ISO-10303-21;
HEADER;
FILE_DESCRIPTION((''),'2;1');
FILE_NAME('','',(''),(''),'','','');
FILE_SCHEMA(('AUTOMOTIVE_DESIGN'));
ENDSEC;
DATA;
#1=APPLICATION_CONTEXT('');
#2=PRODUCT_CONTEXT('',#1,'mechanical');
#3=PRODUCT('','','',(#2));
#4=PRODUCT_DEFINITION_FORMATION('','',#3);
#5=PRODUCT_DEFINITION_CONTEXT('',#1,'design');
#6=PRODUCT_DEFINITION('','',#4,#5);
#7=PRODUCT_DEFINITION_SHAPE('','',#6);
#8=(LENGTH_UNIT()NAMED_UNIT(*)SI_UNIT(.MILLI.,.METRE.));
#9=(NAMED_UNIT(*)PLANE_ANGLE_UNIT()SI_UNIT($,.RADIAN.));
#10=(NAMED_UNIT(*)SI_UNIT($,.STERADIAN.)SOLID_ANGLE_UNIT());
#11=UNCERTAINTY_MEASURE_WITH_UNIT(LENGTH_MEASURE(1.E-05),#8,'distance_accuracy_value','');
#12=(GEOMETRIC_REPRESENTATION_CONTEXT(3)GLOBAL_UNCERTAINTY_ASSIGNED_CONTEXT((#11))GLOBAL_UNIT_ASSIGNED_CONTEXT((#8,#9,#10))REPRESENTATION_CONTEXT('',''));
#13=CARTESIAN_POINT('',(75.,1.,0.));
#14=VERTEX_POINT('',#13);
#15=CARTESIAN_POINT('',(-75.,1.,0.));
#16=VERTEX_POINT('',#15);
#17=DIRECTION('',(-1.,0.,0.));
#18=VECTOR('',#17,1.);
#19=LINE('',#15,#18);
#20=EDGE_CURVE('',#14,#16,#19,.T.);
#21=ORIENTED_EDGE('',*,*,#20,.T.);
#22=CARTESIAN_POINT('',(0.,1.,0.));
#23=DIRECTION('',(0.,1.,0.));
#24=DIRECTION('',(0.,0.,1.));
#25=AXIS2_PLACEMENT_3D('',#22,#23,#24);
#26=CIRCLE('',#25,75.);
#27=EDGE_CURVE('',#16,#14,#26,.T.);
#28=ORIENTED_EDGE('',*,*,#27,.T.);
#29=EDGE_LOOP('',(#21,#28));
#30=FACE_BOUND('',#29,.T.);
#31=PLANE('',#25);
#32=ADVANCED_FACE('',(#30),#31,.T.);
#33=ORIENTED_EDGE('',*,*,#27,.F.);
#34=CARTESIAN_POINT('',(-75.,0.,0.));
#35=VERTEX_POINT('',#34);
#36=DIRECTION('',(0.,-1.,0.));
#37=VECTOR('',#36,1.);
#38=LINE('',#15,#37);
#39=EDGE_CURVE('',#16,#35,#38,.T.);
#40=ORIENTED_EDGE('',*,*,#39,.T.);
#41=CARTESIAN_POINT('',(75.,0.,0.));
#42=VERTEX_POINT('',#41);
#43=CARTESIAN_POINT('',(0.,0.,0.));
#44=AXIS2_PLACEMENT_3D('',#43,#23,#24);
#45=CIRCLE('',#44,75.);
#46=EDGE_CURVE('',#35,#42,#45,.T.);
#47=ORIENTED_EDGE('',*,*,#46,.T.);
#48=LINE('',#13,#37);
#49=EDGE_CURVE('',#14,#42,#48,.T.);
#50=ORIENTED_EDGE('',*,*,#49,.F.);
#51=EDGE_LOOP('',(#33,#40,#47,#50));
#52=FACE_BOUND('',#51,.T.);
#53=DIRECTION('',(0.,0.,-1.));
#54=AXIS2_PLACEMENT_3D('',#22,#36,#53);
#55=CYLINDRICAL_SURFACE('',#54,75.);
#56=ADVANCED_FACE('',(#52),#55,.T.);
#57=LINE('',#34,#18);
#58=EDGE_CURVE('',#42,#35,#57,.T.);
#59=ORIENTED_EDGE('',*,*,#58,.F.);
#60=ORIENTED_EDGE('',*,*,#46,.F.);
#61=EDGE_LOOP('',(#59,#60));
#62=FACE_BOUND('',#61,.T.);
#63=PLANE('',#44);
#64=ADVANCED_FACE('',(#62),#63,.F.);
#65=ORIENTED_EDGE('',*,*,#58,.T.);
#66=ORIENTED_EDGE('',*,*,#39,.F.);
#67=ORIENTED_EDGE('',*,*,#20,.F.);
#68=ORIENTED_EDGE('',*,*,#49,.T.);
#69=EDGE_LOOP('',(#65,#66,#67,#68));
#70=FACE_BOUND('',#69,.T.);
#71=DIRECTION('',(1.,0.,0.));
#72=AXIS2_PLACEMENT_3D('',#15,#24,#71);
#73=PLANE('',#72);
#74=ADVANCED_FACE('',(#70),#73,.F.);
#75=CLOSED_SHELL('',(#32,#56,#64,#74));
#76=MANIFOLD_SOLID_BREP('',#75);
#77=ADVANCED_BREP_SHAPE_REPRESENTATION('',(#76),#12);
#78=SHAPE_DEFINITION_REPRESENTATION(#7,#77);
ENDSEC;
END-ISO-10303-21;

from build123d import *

# Parameters (mm, degrees)
BOSS_EXTRUDE1_DEPTH = 1


with BuildPart() as part:
    # Sketch1 → Boss-Extrude1 (new body)
    with BuildSketch(Plane(origin=(0, 0, 0), x_dir=(1, 0, 0), z_dir=(0, 1, 0))):
        with BuildLine():
            Line((-75, 0), (75, 0))
            ThreePointArc((75, 0), (0, -75), (-75, 0))
        make_face()
    extrude(amount=BOSS_EXTRUDE1_DEPTH)


solid = part.part
